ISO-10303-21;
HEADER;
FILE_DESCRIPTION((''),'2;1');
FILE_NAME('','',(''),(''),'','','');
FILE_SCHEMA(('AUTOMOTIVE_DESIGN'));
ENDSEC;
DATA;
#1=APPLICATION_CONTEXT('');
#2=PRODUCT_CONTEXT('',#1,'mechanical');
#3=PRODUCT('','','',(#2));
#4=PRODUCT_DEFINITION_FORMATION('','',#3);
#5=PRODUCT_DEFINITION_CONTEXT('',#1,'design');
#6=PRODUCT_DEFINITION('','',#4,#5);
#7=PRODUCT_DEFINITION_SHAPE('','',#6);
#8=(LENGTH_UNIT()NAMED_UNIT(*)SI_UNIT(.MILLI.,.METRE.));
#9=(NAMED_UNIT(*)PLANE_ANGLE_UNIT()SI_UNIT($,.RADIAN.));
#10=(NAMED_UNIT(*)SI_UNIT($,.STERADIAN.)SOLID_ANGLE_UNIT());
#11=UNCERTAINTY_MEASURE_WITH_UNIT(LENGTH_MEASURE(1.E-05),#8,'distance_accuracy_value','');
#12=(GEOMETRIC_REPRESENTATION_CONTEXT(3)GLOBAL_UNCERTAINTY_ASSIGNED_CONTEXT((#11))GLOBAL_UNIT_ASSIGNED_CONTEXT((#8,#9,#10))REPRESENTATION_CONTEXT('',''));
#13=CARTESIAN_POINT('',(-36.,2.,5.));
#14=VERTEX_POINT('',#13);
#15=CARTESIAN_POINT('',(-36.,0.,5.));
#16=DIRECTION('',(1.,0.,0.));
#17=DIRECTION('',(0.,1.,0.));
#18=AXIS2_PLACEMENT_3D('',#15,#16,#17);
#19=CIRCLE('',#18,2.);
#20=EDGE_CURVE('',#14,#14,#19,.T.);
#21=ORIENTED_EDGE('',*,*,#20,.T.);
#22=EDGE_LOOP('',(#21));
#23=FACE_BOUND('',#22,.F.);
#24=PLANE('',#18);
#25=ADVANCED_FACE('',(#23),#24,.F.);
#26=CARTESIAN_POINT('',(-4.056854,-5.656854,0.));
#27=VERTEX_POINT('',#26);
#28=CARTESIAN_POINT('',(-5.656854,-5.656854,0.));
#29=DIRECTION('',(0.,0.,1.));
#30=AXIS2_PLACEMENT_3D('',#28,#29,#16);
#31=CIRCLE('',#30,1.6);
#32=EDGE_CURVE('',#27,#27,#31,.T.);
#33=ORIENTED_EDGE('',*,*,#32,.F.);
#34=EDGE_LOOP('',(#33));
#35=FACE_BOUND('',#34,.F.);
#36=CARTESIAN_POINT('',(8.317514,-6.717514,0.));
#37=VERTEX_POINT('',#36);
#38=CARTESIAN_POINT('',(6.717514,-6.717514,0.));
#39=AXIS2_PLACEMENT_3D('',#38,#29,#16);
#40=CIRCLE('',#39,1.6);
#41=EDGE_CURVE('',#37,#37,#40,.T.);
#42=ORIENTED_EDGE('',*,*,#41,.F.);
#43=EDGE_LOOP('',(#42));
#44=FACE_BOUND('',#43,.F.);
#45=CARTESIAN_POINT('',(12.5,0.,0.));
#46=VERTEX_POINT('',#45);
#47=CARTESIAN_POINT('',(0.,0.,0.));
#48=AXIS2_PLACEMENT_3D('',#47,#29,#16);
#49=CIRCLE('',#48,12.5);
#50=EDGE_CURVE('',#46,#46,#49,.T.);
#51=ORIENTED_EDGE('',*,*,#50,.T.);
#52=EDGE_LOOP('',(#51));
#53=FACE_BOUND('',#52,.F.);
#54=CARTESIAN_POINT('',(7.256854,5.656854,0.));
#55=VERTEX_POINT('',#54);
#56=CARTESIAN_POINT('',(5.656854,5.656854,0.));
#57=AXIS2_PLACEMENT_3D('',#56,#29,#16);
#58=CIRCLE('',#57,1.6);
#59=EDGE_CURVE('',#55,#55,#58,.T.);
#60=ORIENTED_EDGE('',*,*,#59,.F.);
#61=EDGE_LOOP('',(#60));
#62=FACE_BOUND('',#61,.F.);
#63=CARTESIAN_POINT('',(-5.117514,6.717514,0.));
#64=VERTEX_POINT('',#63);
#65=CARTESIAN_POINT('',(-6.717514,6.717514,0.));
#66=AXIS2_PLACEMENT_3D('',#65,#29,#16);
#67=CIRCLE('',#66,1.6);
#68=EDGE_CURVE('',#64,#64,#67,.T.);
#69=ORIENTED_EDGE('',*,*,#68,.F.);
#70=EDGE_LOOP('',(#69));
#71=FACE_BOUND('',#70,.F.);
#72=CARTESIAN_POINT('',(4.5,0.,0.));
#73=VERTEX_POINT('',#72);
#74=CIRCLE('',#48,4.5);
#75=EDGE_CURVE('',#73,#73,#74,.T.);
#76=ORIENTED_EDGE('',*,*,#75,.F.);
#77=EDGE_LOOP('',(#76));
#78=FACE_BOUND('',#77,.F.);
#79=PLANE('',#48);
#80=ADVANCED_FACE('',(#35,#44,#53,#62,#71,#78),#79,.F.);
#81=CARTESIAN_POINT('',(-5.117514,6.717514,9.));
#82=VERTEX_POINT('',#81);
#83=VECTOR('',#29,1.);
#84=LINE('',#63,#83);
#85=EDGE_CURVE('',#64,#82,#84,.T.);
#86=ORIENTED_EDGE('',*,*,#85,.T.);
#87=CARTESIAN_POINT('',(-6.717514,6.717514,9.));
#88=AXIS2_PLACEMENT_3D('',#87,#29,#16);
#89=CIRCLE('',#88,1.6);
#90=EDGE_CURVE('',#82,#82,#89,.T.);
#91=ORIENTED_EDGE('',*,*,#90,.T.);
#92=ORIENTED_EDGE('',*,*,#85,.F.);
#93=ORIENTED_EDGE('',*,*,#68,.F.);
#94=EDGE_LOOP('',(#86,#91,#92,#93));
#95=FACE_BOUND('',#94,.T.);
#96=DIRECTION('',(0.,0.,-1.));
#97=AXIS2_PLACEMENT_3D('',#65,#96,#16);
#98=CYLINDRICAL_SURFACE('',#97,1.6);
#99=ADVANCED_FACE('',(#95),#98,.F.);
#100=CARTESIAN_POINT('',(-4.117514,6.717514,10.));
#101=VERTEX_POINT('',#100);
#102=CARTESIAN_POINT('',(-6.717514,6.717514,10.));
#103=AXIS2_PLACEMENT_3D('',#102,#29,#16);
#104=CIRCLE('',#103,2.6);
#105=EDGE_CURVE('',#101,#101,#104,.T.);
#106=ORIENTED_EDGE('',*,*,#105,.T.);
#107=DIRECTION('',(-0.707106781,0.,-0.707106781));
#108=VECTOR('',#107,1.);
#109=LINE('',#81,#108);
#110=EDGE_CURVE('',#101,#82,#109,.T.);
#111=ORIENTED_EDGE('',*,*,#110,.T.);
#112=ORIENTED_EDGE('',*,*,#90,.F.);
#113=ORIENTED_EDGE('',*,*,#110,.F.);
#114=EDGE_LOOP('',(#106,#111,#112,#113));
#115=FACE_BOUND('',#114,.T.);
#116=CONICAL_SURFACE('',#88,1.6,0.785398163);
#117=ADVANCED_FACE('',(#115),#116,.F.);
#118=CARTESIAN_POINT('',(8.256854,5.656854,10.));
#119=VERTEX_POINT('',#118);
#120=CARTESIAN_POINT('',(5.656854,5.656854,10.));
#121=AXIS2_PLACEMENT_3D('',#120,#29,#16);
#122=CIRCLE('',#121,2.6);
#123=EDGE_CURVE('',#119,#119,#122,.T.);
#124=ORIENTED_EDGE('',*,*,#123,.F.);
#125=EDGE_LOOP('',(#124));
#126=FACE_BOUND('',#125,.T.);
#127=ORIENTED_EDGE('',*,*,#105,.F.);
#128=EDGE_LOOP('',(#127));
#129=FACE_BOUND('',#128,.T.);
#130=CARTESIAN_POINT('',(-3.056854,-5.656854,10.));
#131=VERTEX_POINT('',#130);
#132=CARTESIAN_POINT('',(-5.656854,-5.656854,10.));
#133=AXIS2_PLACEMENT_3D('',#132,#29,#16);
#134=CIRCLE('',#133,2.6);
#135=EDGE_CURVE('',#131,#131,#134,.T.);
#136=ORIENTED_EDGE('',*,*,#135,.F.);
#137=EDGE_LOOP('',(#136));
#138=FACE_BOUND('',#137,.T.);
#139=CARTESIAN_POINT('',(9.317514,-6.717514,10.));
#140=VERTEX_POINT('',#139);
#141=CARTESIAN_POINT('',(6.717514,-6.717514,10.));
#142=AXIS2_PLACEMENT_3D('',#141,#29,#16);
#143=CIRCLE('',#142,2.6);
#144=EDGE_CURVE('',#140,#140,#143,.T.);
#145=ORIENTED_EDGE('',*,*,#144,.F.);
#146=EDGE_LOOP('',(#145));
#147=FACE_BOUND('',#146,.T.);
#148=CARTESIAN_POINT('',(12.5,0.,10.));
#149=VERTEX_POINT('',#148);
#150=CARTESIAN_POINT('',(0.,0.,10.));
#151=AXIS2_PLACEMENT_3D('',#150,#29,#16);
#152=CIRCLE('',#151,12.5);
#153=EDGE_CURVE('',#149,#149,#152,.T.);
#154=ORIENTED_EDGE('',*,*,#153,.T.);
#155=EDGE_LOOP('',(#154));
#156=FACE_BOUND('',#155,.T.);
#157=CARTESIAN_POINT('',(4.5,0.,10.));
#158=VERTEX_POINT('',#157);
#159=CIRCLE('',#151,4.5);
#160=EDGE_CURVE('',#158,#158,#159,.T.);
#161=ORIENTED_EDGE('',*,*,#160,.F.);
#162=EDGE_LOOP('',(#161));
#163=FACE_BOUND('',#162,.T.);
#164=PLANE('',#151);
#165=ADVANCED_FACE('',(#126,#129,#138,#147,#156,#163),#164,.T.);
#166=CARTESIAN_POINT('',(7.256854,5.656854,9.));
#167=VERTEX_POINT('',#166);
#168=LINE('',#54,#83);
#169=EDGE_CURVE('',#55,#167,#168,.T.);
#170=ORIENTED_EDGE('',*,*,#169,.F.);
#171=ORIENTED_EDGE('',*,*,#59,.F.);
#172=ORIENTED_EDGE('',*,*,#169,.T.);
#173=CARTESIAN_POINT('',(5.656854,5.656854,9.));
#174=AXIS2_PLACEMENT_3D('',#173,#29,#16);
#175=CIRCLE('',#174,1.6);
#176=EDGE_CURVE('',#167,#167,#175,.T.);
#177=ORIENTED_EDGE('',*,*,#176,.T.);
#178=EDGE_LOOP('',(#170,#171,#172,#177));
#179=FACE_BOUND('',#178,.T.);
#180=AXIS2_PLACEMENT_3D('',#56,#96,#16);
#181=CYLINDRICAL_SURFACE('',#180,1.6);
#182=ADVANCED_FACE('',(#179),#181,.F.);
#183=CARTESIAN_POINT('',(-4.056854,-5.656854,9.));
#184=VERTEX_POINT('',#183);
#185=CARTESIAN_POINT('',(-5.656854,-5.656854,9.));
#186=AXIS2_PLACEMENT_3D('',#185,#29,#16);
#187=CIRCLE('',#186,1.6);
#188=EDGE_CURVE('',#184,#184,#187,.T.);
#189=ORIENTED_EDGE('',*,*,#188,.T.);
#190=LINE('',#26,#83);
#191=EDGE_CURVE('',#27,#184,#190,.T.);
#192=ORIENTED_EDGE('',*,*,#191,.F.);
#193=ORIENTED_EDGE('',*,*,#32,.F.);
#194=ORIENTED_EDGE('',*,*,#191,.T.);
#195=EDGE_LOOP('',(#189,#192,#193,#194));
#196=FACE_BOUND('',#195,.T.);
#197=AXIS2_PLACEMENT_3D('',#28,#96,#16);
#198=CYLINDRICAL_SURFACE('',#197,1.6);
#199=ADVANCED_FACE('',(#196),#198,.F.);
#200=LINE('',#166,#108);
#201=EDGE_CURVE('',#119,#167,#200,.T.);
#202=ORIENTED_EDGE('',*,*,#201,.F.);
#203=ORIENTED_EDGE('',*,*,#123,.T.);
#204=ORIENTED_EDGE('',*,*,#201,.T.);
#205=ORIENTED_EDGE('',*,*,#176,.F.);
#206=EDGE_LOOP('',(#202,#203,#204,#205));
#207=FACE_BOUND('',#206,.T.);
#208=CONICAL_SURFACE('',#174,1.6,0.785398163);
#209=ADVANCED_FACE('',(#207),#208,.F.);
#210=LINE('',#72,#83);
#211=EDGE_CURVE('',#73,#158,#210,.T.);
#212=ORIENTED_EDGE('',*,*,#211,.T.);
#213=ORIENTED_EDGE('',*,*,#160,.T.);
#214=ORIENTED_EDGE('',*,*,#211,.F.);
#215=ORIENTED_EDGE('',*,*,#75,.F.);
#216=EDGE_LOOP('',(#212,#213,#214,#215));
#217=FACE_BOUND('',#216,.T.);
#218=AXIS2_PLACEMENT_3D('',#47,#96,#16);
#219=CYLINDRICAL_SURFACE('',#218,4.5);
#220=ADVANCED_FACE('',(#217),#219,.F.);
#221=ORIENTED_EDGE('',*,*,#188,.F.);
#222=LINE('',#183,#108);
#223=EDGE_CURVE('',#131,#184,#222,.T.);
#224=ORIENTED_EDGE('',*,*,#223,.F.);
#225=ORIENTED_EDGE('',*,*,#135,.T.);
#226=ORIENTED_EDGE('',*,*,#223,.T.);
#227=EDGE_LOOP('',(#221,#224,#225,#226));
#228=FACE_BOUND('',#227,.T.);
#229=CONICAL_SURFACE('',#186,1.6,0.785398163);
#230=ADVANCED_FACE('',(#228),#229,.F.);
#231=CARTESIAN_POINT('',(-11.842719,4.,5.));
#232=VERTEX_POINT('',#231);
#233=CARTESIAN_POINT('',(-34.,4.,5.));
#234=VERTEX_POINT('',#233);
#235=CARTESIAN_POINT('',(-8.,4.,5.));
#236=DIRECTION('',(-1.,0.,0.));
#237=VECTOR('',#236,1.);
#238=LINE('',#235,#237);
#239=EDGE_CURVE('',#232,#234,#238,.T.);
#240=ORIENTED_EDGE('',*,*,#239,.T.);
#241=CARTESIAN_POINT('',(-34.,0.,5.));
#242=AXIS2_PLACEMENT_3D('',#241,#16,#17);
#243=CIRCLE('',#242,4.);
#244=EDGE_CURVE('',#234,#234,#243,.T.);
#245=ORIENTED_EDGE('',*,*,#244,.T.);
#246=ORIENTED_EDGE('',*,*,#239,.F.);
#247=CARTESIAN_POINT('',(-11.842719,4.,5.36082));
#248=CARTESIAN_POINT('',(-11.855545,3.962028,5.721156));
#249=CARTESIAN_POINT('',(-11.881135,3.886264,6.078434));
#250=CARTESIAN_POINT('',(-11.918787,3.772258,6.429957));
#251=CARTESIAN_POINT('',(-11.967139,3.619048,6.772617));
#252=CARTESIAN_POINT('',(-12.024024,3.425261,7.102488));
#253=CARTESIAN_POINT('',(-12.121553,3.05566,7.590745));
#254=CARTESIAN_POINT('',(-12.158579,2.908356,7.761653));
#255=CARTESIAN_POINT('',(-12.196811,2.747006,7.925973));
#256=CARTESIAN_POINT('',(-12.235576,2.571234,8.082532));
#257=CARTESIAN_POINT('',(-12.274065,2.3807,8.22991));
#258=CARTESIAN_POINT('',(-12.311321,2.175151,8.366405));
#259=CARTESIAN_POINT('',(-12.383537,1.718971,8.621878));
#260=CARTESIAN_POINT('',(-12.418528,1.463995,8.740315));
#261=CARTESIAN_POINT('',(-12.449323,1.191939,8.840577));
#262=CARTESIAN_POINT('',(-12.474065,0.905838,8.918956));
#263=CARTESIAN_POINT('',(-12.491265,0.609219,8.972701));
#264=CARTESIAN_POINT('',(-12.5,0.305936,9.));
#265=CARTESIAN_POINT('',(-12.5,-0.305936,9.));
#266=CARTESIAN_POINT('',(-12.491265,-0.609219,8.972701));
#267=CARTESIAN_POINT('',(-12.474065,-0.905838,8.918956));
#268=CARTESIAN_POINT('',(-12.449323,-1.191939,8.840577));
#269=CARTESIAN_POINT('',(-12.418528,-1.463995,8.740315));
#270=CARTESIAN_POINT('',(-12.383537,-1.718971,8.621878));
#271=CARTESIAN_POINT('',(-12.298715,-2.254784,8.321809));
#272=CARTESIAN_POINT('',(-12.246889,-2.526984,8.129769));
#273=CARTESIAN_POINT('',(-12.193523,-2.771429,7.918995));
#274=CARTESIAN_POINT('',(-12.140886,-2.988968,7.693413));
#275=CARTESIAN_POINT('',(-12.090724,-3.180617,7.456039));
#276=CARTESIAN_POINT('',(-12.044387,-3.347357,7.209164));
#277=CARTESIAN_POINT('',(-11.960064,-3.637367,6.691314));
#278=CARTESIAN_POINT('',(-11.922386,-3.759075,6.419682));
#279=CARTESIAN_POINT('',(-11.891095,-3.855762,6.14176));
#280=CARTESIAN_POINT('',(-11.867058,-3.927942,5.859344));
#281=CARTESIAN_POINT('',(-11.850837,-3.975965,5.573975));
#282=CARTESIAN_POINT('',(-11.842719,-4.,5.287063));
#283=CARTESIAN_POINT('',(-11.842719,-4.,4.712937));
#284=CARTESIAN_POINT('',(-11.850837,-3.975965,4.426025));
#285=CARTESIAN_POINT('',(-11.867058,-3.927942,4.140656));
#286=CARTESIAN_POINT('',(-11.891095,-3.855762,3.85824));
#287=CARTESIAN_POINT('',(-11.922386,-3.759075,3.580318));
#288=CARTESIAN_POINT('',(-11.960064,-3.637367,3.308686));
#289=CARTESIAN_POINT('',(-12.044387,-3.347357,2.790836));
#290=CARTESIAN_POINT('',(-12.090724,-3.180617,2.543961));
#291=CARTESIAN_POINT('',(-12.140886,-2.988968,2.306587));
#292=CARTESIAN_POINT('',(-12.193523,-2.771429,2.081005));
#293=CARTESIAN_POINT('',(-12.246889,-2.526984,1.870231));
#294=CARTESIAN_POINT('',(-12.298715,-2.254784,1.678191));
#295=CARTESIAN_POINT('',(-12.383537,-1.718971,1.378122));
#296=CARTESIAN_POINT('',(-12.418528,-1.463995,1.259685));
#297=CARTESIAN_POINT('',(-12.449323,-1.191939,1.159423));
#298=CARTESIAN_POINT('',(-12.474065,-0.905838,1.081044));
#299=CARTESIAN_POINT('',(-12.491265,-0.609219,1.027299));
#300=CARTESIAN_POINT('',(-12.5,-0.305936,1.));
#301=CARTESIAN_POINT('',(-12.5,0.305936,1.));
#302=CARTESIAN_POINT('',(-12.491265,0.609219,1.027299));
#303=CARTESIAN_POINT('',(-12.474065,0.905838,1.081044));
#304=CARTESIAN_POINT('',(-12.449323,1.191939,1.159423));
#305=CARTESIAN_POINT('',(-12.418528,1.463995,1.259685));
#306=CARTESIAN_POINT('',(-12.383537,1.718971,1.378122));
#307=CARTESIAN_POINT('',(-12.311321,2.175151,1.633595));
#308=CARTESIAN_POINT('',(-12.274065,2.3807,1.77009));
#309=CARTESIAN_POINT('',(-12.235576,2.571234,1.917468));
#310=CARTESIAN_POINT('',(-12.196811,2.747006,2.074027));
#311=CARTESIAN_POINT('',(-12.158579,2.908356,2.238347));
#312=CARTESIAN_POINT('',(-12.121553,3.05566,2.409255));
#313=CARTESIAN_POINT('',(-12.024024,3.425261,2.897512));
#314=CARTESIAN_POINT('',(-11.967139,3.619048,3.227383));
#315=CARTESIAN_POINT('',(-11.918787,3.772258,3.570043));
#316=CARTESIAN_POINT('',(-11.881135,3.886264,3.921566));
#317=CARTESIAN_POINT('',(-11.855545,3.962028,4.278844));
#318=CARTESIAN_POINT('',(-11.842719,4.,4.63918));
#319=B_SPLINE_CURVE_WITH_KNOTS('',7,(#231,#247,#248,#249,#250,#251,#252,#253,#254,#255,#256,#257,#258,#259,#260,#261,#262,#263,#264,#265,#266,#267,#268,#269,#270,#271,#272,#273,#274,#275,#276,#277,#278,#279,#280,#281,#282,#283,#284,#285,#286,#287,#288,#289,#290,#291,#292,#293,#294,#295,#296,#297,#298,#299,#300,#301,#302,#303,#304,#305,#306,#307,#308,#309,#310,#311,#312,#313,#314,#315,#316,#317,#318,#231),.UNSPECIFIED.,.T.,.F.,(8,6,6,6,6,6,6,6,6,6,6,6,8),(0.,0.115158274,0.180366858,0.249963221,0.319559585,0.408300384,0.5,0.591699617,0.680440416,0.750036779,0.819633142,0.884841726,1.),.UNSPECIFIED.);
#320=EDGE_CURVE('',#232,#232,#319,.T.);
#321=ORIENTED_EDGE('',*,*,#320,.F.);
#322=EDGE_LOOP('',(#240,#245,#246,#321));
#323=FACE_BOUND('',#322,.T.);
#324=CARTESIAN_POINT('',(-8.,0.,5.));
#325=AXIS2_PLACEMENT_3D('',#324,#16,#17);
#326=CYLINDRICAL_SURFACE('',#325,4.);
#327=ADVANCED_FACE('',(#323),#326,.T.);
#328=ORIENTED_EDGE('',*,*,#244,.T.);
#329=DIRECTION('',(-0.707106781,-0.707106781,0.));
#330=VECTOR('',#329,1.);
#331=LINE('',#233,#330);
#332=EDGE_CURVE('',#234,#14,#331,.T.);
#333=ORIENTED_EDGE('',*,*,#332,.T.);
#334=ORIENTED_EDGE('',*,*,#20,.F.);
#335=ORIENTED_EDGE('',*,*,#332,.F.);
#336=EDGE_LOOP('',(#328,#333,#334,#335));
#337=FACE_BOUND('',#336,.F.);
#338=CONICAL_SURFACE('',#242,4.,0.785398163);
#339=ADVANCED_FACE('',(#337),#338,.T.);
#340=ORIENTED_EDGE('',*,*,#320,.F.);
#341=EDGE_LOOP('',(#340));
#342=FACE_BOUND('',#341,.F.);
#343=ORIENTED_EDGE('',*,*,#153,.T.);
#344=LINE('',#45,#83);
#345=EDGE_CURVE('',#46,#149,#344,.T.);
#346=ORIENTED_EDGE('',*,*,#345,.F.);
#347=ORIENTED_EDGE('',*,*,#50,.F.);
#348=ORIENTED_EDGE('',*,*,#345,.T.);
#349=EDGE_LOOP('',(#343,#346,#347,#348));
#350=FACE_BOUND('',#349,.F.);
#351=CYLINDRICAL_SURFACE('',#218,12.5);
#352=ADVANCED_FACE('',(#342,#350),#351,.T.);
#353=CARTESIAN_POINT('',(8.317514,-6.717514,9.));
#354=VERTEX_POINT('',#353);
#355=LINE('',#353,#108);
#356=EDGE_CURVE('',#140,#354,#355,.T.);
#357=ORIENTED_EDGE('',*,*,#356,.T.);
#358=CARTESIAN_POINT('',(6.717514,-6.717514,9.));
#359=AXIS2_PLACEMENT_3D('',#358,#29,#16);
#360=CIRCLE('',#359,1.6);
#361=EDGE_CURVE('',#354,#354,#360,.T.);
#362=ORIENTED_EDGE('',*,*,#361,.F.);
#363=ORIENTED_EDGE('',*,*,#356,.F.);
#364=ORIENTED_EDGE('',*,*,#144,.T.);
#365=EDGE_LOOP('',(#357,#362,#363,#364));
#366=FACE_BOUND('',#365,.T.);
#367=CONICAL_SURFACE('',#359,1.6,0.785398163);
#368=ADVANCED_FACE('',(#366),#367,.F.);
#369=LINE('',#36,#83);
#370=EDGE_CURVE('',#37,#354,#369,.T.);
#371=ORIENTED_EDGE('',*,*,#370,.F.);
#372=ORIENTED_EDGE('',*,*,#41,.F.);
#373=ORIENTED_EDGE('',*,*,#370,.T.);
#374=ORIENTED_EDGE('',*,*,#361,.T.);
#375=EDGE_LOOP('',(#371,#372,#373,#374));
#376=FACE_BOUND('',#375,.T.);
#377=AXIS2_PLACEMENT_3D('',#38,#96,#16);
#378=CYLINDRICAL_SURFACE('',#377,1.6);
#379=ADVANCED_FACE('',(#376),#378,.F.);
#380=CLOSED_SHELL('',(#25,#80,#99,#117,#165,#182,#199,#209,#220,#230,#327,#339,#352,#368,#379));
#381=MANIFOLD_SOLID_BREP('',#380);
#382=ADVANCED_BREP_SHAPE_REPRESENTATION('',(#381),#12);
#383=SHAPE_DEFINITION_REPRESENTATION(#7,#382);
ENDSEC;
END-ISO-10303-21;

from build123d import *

# Parameters (mm, degrees)
SKETCH_R        = 12.5
SKETCH_R_2      = 4.5
SKETCH_R_3      = 1.6
PAD_DEPTH       = 10
SKETCH001_R     = 4
PAD001_DEPTH    = 28
CHAMFER_SIZE    = 2
CHAMFER001_SIZE = 1


with BuildPart() as part:
    # Sketch → Pad (new body)
    with BuildSketch(Plane.XY):
        Circle(SKETCH_R)
        Circle(SKETCH_R_2, mode=Mode.SUBTRACT)
        with Locations((-6.717514, 6.717514)):
            Circle(SKETCH_R_3, mode=Mode.SUBTRACT)
        with Locations((5.656854, 5.656854)):
            Circle(SKETCH_R_3, mode=Mode.SUBTRACT)
        with Locations((6.717514, -6.717514)):
            Circle(SKETCH_R_3, mode=Mode.SUBTRACT)
        with Locations((-5.656854, -5.656854)):
            Circle(SKETCH_R_3, mode=Mode.SUBTRACT)
    extrude(amount=PAD_DEPTH)

    # Sketch001 → Pad001 (join)
    with BuildSketch(Plane.YZ.offset(-8)):
        with Locations((0, 5)):
            Circle(SKETCH001_R)
    extrude(amount=-PAD001_DEPTH)

    # Chamfer
    chamfer_edges = [part.edges().sort_by_distance(p)[0] for p in [
        (-36, -4, 5),
    ]]
    chamfer(chamfer_edges, length=CHAMFER_SIZE)

    # Chamfer001
    chamfer001_edges = [part.edges().sort_by_distance(p)[0] for p in [
        (4.056854, 5.656854, 10),
        (5.117514, -6.717514, 10),
        (-7.256854, -5.656854, 10),
        (-8.317514, 6.717514, 10),
    ]]
    chamfer(chamfer001_edges, length=CHAMFER001_SIZE)


solid = part.part
